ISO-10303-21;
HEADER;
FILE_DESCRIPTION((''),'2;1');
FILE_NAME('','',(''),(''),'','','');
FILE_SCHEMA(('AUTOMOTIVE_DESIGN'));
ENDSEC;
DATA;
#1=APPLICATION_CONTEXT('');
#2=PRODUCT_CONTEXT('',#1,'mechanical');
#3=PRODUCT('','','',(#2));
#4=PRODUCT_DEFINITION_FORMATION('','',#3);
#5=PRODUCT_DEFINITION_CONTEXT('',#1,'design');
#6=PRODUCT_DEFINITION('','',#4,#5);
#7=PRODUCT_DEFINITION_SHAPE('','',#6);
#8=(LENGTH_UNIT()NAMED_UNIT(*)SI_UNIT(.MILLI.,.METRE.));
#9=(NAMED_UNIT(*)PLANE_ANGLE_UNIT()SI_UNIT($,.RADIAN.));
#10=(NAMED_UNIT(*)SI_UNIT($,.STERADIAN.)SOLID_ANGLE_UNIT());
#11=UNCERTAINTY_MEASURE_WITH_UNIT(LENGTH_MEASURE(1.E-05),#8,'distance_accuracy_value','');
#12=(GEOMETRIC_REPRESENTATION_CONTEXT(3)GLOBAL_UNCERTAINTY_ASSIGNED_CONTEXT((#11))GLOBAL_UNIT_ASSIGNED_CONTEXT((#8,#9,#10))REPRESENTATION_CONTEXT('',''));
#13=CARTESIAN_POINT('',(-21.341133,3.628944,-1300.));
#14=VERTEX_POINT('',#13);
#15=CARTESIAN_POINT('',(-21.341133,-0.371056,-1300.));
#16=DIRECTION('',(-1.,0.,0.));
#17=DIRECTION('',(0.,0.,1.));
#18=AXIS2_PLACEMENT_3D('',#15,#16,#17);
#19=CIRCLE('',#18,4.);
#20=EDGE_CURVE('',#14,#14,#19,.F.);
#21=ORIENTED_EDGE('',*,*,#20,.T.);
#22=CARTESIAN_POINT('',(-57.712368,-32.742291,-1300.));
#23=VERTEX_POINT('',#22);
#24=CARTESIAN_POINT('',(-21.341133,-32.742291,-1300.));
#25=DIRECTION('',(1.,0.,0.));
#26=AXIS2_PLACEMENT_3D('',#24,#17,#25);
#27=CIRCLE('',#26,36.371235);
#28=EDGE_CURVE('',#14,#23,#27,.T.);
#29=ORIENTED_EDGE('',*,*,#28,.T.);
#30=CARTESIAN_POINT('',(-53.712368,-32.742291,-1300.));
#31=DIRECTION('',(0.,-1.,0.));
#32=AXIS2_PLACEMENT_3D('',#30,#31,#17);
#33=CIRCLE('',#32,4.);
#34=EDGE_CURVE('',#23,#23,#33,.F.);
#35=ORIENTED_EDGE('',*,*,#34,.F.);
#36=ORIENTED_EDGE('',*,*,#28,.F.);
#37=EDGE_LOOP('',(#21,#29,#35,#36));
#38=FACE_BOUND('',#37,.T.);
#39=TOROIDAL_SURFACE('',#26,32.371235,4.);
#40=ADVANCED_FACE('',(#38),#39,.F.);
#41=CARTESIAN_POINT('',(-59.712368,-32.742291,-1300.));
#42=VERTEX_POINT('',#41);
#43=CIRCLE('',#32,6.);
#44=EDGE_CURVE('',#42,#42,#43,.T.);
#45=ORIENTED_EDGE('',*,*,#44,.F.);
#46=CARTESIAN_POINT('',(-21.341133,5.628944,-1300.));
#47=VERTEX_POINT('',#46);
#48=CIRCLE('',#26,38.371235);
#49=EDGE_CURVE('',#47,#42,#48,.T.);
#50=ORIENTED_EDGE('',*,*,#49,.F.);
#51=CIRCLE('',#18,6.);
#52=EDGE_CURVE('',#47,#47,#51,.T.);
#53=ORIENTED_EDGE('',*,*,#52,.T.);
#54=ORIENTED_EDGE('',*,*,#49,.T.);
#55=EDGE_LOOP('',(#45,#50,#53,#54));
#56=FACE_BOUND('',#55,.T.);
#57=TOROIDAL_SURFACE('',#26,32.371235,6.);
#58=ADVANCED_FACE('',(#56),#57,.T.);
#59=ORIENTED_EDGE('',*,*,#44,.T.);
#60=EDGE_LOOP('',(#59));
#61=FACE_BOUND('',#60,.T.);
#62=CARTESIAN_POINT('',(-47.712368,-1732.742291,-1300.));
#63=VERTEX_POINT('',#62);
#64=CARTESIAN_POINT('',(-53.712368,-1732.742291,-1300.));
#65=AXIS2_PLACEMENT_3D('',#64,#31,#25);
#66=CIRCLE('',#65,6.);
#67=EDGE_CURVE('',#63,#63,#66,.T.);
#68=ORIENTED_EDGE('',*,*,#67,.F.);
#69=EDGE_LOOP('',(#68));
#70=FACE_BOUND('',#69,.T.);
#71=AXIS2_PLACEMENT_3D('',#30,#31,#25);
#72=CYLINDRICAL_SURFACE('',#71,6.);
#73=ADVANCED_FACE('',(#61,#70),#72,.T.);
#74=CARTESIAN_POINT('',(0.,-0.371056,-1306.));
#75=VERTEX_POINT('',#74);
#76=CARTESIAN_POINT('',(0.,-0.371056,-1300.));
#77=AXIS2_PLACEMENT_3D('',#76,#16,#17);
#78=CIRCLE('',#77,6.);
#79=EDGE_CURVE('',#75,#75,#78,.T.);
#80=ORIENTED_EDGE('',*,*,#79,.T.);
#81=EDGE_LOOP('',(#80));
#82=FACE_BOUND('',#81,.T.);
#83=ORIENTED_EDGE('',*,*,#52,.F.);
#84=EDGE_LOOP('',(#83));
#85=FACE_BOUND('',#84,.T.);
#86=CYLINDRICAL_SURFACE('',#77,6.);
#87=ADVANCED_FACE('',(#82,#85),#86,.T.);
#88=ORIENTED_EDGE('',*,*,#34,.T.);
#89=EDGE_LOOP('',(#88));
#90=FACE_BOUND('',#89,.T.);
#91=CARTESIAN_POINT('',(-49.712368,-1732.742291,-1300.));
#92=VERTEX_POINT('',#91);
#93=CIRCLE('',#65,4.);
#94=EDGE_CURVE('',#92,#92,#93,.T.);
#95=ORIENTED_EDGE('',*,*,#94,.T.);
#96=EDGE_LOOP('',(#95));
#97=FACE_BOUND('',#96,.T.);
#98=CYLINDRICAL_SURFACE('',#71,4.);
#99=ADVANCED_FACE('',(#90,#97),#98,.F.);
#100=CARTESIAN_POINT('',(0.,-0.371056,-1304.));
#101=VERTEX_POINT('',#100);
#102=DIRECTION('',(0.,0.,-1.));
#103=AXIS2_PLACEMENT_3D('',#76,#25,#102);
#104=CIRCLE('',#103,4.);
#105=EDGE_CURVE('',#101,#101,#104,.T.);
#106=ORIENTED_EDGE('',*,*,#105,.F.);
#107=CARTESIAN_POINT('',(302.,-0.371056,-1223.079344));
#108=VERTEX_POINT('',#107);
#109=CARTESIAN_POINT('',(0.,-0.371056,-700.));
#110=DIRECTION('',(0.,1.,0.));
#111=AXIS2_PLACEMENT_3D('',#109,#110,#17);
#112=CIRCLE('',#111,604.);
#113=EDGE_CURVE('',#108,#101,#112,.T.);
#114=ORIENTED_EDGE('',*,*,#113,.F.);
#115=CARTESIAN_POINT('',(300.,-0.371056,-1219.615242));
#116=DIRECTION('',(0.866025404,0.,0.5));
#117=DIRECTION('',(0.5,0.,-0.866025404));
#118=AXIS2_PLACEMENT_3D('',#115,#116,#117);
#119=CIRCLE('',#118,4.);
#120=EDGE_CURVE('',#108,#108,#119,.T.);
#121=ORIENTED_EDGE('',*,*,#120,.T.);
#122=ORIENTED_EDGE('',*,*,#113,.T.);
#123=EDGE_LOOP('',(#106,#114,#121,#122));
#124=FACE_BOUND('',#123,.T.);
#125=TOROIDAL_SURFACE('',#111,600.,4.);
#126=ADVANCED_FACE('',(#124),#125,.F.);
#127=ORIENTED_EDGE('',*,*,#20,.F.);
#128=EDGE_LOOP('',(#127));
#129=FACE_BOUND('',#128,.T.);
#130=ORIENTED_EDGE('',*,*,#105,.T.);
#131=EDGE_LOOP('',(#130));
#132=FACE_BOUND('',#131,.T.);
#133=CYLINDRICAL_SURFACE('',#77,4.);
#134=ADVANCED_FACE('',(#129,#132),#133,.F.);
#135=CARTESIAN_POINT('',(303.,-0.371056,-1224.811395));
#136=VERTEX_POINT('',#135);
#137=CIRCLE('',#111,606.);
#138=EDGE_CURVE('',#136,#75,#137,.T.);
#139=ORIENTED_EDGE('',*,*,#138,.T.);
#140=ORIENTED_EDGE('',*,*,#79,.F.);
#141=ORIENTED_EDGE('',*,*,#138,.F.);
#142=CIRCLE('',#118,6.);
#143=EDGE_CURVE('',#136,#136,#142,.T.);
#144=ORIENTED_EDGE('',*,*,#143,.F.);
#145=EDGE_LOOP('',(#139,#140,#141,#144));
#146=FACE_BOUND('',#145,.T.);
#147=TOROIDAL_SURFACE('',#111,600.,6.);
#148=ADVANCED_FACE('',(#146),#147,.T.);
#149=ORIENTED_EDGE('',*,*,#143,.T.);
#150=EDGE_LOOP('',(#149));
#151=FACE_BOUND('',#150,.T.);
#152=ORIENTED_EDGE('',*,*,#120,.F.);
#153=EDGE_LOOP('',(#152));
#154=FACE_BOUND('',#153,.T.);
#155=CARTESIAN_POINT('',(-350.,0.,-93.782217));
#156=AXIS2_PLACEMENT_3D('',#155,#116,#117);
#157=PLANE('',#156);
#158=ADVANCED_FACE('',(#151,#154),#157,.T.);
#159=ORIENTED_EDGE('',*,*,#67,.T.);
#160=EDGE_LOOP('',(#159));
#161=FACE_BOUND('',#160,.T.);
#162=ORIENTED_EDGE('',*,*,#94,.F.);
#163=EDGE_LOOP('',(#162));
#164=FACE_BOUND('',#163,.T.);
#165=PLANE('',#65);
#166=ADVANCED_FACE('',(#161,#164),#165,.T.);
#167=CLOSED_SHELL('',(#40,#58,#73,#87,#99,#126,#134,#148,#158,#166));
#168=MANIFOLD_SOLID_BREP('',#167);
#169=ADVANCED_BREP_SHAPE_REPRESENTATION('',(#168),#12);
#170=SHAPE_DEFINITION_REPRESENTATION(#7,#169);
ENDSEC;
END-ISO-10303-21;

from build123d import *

# Parameters (mm, degrees)
SKETCH_1_R      = 6
SKETCH_1_R_2    = 4
REVOLVE_1_ANGLE = 30
SKETCH_2_R      = 15
SKETCH_2_R_2    = 10
SKETCH_2_R_3    = 6
SKETCH_2_R_4    = 4
SKETCH_11_R     = 6
SKETCH_11_R_2   = 4
EXTRUDE_1_DEPTH = 800


with BuildPart() as part:
    # 草图1 → 旋转1 (revolve)
    with BuildSketch(Plane(origin=(0, 0, 0), x_dir=(0, 0, -1), z_dir=(1, 0, 0))):
        with Locations((1300, -0.371055822)):
            Circle(SKETCH_1_R)
        with Locations((1300, -0.371055822)):
            Circle(SKETCH_1_R_2, mode=Mode.SUBTRACT)
    revolve(axis=Axis((0, 0, -700), (0, -1, 0)), revolution_arc=REVOLVE_1_ANGLE)

    # 扫描1: sweep along a path in 草图3
    with BuildLine(Plane.YX.offset(500)) as sweep_1_path:
        Line((0, 0), (0, -21.341132523))
        ThreePointArc((0, -21.341132523), (-9.589995058, -44.493428655), (-32.742291189, -54.083423712))
        Line((-32.742291189, -54.083423712), (-932.742291189, -54.083423712))
    # 草图2 → 扫描1 (sweep)
    # profile 1 of 2: a face of its own
    with BuildSketch(Plane.ZY):
        with Locations((-500, -0.371055822)):
            Circle(SKETCH_2_R)
        with Locations((-500, -0.371055822)):
            Circle(SKETCH_2_R_2, mode=Mode.SUBTRACT)
    # profile 2 of 2: a face of its own
    with BuildSketch(Plane.ZY):
        with Locations((-1300, -0.371055822)):
            Circle(SKETCH_2_R_3)
        with Locations((-1300, -0.371055822)):
            Circle(SKETCH_2_R_4, mode=Mode.SUBTRACT)
    sweep(path=sweep_1_path.line)


with BuildPart() as sweep_1_kept_piece:
    # of the separate pieces the step leaves, the one the design keeps (sweep_1_pieces_kept)
    add(part.part.solids().sort_by_distance((0, -0.371055822, -1306))[0])

    # 草图11 → 凸台-拉伸1 (add)
    with BuildSketch(Plane.XZ.offset(932.742291189)):
        with Locations((-53.712367891, -1300)):
            Circle(SKETCH_11_R)
        with Locations((-53.712367891, -1300)):
            Circle(SKETCH_11_R_2, mode=Mode.SUBTRACT)
    extrude(amount=EXTRUDE_1_DEPTH)


solid = sweep_1_kept_piece.part
